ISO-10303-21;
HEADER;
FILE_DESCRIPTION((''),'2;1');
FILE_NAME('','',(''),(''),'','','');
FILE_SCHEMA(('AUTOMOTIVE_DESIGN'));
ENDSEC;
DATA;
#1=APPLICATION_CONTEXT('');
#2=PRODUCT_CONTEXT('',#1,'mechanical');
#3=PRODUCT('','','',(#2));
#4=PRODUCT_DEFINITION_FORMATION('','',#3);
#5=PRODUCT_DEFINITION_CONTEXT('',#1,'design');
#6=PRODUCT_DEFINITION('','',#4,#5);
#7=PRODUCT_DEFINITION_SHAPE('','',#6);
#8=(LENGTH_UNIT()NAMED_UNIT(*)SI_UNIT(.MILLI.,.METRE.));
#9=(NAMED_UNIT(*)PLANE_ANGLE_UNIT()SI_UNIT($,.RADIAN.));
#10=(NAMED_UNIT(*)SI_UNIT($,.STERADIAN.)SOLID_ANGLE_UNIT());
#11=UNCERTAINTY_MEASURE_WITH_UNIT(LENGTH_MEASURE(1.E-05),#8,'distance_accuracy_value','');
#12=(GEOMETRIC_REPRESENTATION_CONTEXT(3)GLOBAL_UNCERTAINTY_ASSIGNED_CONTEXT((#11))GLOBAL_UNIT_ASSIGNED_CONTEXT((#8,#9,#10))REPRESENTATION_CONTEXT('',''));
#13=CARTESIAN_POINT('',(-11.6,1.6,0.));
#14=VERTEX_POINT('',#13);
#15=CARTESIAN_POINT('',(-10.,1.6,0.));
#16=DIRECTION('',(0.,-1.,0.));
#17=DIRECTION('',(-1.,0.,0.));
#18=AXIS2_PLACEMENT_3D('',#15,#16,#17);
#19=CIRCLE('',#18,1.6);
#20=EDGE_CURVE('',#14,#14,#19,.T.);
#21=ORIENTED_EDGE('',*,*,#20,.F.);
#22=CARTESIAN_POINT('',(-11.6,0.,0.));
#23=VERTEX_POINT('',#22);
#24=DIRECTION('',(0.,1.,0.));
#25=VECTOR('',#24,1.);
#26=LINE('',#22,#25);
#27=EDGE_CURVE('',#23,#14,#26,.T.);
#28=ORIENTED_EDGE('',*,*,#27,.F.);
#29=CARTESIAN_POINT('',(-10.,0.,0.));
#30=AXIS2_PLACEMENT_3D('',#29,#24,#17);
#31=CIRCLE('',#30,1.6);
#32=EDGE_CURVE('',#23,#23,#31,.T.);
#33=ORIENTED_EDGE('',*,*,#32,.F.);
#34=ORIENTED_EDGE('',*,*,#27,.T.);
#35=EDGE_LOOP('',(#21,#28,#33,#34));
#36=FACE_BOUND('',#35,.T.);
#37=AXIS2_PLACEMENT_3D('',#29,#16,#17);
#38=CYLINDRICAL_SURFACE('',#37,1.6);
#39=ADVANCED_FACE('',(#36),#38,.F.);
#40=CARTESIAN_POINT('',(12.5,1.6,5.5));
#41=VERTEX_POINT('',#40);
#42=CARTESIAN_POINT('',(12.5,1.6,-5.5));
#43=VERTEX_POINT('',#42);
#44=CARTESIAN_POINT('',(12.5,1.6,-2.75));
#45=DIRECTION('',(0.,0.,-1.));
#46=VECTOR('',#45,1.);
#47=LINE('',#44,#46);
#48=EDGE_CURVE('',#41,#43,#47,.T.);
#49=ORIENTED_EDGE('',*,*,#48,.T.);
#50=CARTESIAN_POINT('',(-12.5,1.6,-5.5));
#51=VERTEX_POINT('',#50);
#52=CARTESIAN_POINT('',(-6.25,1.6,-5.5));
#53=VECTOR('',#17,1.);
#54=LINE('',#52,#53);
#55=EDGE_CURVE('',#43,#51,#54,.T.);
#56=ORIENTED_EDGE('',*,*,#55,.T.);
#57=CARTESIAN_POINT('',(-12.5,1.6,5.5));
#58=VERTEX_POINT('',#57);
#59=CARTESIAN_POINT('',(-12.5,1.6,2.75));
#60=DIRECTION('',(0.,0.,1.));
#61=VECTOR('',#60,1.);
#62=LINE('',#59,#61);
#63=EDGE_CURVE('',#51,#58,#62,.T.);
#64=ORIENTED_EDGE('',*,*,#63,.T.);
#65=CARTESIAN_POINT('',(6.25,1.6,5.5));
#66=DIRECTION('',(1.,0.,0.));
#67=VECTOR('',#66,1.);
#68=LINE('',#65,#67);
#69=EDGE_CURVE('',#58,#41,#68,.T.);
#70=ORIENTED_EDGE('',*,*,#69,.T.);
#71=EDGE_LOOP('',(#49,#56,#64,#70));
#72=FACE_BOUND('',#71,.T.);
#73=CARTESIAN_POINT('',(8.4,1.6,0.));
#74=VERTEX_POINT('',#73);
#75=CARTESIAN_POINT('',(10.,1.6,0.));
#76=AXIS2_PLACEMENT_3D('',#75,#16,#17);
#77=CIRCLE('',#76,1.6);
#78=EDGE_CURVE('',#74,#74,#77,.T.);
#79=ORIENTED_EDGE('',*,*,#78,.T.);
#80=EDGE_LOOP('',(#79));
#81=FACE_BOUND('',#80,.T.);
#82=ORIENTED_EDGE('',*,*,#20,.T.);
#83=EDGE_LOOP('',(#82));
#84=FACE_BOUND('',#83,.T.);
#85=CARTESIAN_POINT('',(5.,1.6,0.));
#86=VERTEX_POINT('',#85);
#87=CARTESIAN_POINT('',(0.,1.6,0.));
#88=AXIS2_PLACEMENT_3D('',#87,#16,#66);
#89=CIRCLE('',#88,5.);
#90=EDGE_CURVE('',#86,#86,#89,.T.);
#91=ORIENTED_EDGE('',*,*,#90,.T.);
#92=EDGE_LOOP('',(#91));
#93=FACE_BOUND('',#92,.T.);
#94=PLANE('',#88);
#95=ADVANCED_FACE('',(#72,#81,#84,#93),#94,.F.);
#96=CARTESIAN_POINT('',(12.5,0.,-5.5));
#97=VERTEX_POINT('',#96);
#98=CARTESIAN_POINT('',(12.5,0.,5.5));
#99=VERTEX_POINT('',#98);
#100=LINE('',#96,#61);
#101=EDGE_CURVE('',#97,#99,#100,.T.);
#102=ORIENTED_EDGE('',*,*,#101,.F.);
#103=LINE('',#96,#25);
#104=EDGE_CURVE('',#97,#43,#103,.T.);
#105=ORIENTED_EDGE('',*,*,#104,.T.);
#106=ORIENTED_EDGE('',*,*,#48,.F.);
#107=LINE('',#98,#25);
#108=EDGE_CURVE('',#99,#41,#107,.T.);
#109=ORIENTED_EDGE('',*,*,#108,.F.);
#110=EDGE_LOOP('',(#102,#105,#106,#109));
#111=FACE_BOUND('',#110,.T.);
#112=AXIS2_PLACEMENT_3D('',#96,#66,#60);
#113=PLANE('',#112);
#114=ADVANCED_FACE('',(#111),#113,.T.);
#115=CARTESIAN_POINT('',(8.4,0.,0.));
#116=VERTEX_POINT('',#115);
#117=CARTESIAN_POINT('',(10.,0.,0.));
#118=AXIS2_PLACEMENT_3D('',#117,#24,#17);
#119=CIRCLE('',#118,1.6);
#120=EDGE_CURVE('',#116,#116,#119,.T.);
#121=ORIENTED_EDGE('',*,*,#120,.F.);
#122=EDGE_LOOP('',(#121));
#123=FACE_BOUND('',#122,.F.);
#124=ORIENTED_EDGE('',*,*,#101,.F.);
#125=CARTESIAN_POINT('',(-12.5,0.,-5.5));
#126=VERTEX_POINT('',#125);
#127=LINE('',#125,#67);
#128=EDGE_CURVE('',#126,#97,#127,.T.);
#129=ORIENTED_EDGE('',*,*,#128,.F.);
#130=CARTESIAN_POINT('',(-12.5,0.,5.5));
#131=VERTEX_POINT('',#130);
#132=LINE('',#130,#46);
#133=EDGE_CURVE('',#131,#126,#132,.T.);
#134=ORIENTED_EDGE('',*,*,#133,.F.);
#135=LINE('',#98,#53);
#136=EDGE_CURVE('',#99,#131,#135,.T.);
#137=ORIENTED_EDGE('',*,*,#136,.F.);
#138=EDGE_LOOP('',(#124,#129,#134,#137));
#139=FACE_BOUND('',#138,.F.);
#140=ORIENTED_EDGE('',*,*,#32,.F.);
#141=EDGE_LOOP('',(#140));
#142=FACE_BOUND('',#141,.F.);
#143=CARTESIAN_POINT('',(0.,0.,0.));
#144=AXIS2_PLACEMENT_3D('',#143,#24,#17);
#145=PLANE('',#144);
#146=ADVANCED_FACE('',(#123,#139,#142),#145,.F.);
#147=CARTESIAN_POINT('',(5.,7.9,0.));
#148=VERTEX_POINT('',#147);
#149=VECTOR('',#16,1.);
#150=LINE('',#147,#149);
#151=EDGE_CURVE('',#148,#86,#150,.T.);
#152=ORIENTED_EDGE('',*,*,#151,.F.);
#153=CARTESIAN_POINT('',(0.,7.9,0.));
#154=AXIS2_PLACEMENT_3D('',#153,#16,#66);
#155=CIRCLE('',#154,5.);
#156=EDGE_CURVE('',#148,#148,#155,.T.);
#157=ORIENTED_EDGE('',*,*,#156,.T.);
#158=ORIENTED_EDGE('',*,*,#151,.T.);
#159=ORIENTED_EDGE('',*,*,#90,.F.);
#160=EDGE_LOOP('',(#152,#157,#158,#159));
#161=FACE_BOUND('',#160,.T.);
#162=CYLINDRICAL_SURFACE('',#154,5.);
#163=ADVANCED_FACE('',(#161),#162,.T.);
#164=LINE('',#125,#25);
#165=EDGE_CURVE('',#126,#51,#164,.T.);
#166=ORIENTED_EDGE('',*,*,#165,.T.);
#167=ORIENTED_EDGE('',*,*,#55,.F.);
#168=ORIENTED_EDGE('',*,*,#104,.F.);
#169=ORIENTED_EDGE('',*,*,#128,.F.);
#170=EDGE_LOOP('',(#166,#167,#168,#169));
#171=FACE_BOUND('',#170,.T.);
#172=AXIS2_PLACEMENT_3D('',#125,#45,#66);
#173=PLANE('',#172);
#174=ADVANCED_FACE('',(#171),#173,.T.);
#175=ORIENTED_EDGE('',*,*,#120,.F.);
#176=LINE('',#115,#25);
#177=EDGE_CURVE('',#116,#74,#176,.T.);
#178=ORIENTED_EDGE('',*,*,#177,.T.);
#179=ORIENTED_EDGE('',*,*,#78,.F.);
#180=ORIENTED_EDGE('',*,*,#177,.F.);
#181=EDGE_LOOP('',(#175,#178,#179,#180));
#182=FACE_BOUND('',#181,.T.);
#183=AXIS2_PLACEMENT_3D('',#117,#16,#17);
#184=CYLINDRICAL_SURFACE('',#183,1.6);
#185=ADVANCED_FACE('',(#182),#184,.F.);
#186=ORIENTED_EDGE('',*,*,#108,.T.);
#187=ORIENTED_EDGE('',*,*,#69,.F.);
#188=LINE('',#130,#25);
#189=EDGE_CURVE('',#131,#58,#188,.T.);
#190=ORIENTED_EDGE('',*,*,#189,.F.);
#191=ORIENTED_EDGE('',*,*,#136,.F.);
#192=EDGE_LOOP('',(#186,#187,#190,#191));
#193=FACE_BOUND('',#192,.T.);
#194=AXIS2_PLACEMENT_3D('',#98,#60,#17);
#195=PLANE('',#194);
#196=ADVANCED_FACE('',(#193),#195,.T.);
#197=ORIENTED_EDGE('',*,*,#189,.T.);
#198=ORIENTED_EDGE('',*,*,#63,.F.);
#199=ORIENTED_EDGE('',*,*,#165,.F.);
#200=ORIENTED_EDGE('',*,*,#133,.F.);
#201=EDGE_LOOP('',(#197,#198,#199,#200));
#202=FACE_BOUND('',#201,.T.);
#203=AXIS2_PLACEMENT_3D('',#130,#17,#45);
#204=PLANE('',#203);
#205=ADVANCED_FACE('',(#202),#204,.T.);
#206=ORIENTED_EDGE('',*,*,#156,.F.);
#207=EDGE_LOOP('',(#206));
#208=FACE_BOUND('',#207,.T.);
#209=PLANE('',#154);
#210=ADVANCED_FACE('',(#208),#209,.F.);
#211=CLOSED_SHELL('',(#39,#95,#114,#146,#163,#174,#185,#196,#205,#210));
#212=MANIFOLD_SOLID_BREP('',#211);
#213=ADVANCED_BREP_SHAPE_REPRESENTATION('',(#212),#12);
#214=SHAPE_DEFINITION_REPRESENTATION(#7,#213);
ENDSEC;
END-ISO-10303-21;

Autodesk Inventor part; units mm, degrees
ref_plane "YZ Plane" through (0, 0, 0) normal (1, 0, 0) x (0, 1, 0)
ref_plane "XZ Plane" through (0, 0, 0) normal (0, 1, 0) x (-1, 0, 0)
ref_plane "XY Plane" through (0, 0, 0) normal (0, 0, 1) x (1, 0, 0)
sketch "草圖1" plane through (0, 0, 0) normal (0, 0, 1) x (1, 0, 0)
  line L0 (0, 7.9) -> (5, 7.9)
  line L1 (5, 7.9) -> (5, 1.6)
  line L2 (5, 1.6) -> (15, 1.6)
  line L3 (15, 1.6) -> (15, 0)
  line L4 (15, 0) -> (0, 0)
  line L5 (0, 7.9) -> (0, 0)
  point P0 (0, 0)
  dimension "d1" = 1.6
  dimension "d2" = 10
  dimension "d3" = 30
  dimension "d4" = 6.3
revolve "迴轉1" add sketch "草圖1" angle 360 about axis through (0, 7.9, 0) along (0, -1, 0)
sketch "草圖2" plane through (0, 0, 0) normal (0, 1, 0) x (-1, 0, 0)
  line L0 (12.5, -5.5) -> (-12.5, -5.5)
  line L1 (-12.5, -5.5) -> (-12.5, 5.5)
  line L2 (-12.5, 5.5) -> (12.5, 5.5)
  line L3 (12.5, 5.5) -> (12.5, -5.5)
  circle A0 centre (10, 0) radius 1.6
  circle A1 centre (-10, 0) radius 1.6
  line L4 (10, 0) -> (-10, 0) construction
  point P0 (0, 0)
  point P1 (0, -5.5)
  point P2 (-12.5, 0)
  point P3 (0, 0)
  dimension "d6" = 11
  dimension "d7" = 25
  dimension "d8" = 3.2
  dimension "d9" = 20
extrude "擠出1" cut sketch "草圖2" along normal through all keep common part
properties part number "磁鐵A" material "SS41"
